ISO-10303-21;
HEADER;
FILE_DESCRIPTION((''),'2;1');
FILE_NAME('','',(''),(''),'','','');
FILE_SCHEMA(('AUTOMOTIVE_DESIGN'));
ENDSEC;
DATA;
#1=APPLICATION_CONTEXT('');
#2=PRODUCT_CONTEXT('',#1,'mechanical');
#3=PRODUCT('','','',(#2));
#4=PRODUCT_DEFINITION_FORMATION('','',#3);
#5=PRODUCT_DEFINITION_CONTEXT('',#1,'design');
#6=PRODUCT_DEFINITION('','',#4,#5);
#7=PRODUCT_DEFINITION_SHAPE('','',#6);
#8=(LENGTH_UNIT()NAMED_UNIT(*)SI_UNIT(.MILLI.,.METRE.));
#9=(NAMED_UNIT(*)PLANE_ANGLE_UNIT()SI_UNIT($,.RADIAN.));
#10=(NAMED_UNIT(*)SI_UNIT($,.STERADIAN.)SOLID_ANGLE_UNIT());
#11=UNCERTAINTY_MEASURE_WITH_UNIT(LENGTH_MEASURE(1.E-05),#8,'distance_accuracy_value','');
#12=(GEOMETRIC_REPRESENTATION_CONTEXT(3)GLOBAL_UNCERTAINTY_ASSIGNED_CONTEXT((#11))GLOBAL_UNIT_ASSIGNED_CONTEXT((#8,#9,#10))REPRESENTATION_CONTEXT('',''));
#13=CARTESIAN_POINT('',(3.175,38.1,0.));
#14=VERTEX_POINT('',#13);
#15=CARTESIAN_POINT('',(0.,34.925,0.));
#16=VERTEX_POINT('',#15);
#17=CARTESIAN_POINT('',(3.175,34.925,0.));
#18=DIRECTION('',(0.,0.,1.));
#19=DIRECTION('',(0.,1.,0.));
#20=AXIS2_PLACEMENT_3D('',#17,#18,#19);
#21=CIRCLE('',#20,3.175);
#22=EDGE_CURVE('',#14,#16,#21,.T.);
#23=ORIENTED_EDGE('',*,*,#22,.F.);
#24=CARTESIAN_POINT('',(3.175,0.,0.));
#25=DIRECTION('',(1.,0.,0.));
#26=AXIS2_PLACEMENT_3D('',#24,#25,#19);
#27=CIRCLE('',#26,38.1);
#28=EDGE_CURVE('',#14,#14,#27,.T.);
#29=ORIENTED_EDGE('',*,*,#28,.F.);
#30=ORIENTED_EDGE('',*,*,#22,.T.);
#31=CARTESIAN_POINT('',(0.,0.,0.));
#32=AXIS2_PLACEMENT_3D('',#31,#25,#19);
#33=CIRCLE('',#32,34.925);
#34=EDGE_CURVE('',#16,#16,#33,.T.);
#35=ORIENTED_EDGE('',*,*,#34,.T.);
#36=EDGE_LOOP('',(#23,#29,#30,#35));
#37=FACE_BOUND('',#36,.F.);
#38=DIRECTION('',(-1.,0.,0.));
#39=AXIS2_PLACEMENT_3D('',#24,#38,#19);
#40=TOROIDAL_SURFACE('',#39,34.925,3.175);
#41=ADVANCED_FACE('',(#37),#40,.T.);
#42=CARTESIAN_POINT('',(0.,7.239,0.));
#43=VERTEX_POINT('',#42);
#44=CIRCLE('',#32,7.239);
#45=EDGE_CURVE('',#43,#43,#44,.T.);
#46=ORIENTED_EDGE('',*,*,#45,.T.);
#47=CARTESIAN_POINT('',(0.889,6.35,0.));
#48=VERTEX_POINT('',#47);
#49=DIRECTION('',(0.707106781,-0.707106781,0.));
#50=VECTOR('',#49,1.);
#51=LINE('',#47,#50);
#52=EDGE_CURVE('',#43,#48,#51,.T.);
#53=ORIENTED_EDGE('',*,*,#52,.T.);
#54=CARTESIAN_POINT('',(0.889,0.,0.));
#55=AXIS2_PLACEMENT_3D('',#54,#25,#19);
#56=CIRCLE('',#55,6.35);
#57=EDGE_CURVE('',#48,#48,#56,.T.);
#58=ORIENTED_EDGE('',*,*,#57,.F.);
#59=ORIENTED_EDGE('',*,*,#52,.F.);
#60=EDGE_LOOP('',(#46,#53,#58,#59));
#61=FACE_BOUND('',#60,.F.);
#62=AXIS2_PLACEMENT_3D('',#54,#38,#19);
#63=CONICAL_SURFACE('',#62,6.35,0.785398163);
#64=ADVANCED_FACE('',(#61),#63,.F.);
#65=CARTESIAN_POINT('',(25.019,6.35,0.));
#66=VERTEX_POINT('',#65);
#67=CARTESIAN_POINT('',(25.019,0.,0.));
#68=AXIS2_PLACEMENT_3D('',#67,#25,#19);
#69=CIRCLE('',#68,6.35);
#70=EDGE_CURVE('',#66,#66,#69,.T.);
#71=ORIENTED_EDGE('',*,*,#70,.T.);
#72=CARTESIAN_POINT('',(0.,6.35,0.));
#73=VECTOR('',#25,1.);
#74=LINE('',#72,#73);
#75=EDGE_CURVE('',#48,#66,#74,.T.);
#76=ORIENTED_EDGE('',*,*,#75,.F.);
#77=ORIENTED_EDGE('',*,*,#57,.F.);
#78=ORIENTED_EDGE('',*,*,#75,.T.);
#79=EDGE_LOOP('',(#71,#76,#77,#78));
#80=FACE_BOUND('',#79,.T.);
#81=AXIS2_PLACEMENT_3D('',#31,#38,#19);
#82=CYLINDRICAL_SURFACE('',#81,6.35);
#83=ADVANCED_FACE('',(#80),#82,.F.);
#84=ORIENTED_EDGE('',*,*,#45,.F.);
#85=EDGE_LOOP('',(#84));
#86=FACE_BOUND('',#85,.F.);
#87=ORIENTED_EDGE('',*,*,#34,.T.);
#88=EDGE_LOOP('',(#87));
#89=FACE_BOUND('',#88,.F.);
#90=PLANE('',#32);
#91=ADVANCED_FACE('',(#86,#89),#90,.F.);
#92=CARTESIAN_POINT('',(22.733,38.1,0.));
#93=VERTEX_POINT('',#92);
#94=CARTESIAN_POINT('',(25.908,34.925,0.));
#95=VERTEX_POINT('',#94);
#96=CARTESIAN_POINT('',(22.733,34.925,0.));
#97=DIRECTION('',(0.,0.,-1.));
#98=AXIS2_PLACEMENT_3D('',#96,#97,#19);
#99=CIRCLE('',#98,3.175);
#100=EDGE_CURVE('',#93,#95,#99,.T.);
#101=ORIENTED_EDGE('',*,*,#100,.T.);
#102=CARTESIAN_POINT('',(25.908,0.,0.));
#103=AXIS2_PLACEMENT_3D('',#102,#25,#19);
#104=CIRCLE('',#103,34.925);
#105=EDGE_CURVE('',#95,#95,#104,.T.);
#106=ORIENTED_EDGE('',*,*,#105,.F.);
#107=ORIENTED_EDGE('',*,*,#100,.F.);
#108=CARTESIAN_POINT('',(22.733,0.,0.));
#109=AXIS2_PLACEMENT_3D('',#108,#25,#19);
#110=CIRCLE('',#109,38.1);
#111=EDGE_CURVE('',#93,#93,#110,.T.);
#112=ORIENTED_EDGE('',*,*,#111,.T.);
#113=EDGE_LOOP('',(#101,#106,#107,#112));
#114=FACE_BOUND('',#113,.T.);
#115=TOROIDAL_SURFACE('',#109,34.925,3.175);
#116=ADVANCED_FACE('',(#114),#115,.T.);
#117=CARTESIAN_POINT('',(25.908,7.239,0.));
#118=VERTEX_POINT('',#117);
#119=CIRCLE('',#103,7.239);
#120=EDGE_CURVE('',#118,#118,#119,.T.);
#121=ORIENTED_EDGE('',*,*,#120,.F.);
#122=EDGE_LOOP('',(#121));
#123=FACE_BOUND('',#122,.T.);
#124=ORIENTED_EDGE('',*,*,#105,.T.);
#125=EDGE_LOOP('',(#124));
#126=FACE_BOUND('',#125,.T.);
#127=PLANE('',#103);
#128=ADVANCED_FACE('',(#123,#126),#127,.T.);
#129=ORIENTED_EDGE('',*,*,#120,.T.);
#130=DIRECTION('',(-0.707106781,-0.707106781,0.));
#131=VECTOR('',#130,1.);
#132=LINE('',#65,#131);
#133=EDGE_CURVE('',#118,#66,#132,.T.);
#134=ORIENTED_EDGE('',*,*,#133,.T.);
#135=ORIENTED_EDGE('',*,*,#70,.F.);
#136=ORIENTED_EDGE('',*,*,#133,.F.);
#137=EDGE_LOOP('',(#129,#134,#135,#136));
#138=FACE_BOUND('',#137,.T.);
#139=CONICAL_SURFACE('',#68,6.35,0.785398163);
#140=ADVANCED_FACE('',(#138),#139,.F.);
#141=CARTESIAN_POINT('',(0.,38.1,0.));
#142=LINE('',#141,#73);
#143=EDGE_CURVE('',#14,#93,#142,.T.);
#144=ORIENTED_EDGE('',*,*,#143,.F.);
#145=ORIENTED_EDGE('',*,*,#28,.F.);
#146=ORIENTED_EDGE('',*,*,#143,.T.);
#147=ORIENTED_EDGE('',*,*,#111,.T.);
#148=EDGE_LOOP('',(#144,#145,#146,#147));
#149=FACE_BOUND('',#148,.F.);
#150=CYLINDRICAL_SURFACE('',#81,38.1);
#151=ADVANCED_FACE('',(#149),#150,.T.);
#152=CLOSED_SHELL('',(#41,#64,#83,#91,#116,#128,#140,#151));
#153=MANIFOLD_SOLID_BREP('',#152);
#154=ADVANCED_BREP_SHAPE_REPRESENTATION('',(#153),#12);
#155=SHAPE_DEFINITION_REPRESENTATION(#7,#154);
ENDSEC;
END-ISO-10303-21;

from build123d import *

# Parameters (mm, degrees)
F0_R     = 38.1
F0_R_2   = 6.35
F1_DEPTH = 25.908
F2_R     = 3.175
F3_SIZE  = 0.889


with BuildPart() as f1:
    # F0 (on Right) → F1 (new body)
    with BuildSketch(Plane.YZ):
        Circle(F0_R)
        Circle(F0_R_2, mode=Mode.SUBTRACT)
    extrude(amount=F1_DEPTH)

    # F2
    f2_edges = [f1.edges().sort_by_distance(p)[0] for p in [
        (12.954, 38.1, 0),
        (0, -38.1, 0),
        (25.908, -38.1, 0),
    ]]
    fillet(f2_edges, radius=F2_R)

    # F3
    f3_edges = [f1.edges().sort_by_distance(p)[0] for p in [
        (12.954, 6.35, 0),
        (0, -6.35, 0),
        (25.908, -6.35, 0),
    ]]
    chamfer(f3_edges, length=F3_SIZE)


solid = f1.part
